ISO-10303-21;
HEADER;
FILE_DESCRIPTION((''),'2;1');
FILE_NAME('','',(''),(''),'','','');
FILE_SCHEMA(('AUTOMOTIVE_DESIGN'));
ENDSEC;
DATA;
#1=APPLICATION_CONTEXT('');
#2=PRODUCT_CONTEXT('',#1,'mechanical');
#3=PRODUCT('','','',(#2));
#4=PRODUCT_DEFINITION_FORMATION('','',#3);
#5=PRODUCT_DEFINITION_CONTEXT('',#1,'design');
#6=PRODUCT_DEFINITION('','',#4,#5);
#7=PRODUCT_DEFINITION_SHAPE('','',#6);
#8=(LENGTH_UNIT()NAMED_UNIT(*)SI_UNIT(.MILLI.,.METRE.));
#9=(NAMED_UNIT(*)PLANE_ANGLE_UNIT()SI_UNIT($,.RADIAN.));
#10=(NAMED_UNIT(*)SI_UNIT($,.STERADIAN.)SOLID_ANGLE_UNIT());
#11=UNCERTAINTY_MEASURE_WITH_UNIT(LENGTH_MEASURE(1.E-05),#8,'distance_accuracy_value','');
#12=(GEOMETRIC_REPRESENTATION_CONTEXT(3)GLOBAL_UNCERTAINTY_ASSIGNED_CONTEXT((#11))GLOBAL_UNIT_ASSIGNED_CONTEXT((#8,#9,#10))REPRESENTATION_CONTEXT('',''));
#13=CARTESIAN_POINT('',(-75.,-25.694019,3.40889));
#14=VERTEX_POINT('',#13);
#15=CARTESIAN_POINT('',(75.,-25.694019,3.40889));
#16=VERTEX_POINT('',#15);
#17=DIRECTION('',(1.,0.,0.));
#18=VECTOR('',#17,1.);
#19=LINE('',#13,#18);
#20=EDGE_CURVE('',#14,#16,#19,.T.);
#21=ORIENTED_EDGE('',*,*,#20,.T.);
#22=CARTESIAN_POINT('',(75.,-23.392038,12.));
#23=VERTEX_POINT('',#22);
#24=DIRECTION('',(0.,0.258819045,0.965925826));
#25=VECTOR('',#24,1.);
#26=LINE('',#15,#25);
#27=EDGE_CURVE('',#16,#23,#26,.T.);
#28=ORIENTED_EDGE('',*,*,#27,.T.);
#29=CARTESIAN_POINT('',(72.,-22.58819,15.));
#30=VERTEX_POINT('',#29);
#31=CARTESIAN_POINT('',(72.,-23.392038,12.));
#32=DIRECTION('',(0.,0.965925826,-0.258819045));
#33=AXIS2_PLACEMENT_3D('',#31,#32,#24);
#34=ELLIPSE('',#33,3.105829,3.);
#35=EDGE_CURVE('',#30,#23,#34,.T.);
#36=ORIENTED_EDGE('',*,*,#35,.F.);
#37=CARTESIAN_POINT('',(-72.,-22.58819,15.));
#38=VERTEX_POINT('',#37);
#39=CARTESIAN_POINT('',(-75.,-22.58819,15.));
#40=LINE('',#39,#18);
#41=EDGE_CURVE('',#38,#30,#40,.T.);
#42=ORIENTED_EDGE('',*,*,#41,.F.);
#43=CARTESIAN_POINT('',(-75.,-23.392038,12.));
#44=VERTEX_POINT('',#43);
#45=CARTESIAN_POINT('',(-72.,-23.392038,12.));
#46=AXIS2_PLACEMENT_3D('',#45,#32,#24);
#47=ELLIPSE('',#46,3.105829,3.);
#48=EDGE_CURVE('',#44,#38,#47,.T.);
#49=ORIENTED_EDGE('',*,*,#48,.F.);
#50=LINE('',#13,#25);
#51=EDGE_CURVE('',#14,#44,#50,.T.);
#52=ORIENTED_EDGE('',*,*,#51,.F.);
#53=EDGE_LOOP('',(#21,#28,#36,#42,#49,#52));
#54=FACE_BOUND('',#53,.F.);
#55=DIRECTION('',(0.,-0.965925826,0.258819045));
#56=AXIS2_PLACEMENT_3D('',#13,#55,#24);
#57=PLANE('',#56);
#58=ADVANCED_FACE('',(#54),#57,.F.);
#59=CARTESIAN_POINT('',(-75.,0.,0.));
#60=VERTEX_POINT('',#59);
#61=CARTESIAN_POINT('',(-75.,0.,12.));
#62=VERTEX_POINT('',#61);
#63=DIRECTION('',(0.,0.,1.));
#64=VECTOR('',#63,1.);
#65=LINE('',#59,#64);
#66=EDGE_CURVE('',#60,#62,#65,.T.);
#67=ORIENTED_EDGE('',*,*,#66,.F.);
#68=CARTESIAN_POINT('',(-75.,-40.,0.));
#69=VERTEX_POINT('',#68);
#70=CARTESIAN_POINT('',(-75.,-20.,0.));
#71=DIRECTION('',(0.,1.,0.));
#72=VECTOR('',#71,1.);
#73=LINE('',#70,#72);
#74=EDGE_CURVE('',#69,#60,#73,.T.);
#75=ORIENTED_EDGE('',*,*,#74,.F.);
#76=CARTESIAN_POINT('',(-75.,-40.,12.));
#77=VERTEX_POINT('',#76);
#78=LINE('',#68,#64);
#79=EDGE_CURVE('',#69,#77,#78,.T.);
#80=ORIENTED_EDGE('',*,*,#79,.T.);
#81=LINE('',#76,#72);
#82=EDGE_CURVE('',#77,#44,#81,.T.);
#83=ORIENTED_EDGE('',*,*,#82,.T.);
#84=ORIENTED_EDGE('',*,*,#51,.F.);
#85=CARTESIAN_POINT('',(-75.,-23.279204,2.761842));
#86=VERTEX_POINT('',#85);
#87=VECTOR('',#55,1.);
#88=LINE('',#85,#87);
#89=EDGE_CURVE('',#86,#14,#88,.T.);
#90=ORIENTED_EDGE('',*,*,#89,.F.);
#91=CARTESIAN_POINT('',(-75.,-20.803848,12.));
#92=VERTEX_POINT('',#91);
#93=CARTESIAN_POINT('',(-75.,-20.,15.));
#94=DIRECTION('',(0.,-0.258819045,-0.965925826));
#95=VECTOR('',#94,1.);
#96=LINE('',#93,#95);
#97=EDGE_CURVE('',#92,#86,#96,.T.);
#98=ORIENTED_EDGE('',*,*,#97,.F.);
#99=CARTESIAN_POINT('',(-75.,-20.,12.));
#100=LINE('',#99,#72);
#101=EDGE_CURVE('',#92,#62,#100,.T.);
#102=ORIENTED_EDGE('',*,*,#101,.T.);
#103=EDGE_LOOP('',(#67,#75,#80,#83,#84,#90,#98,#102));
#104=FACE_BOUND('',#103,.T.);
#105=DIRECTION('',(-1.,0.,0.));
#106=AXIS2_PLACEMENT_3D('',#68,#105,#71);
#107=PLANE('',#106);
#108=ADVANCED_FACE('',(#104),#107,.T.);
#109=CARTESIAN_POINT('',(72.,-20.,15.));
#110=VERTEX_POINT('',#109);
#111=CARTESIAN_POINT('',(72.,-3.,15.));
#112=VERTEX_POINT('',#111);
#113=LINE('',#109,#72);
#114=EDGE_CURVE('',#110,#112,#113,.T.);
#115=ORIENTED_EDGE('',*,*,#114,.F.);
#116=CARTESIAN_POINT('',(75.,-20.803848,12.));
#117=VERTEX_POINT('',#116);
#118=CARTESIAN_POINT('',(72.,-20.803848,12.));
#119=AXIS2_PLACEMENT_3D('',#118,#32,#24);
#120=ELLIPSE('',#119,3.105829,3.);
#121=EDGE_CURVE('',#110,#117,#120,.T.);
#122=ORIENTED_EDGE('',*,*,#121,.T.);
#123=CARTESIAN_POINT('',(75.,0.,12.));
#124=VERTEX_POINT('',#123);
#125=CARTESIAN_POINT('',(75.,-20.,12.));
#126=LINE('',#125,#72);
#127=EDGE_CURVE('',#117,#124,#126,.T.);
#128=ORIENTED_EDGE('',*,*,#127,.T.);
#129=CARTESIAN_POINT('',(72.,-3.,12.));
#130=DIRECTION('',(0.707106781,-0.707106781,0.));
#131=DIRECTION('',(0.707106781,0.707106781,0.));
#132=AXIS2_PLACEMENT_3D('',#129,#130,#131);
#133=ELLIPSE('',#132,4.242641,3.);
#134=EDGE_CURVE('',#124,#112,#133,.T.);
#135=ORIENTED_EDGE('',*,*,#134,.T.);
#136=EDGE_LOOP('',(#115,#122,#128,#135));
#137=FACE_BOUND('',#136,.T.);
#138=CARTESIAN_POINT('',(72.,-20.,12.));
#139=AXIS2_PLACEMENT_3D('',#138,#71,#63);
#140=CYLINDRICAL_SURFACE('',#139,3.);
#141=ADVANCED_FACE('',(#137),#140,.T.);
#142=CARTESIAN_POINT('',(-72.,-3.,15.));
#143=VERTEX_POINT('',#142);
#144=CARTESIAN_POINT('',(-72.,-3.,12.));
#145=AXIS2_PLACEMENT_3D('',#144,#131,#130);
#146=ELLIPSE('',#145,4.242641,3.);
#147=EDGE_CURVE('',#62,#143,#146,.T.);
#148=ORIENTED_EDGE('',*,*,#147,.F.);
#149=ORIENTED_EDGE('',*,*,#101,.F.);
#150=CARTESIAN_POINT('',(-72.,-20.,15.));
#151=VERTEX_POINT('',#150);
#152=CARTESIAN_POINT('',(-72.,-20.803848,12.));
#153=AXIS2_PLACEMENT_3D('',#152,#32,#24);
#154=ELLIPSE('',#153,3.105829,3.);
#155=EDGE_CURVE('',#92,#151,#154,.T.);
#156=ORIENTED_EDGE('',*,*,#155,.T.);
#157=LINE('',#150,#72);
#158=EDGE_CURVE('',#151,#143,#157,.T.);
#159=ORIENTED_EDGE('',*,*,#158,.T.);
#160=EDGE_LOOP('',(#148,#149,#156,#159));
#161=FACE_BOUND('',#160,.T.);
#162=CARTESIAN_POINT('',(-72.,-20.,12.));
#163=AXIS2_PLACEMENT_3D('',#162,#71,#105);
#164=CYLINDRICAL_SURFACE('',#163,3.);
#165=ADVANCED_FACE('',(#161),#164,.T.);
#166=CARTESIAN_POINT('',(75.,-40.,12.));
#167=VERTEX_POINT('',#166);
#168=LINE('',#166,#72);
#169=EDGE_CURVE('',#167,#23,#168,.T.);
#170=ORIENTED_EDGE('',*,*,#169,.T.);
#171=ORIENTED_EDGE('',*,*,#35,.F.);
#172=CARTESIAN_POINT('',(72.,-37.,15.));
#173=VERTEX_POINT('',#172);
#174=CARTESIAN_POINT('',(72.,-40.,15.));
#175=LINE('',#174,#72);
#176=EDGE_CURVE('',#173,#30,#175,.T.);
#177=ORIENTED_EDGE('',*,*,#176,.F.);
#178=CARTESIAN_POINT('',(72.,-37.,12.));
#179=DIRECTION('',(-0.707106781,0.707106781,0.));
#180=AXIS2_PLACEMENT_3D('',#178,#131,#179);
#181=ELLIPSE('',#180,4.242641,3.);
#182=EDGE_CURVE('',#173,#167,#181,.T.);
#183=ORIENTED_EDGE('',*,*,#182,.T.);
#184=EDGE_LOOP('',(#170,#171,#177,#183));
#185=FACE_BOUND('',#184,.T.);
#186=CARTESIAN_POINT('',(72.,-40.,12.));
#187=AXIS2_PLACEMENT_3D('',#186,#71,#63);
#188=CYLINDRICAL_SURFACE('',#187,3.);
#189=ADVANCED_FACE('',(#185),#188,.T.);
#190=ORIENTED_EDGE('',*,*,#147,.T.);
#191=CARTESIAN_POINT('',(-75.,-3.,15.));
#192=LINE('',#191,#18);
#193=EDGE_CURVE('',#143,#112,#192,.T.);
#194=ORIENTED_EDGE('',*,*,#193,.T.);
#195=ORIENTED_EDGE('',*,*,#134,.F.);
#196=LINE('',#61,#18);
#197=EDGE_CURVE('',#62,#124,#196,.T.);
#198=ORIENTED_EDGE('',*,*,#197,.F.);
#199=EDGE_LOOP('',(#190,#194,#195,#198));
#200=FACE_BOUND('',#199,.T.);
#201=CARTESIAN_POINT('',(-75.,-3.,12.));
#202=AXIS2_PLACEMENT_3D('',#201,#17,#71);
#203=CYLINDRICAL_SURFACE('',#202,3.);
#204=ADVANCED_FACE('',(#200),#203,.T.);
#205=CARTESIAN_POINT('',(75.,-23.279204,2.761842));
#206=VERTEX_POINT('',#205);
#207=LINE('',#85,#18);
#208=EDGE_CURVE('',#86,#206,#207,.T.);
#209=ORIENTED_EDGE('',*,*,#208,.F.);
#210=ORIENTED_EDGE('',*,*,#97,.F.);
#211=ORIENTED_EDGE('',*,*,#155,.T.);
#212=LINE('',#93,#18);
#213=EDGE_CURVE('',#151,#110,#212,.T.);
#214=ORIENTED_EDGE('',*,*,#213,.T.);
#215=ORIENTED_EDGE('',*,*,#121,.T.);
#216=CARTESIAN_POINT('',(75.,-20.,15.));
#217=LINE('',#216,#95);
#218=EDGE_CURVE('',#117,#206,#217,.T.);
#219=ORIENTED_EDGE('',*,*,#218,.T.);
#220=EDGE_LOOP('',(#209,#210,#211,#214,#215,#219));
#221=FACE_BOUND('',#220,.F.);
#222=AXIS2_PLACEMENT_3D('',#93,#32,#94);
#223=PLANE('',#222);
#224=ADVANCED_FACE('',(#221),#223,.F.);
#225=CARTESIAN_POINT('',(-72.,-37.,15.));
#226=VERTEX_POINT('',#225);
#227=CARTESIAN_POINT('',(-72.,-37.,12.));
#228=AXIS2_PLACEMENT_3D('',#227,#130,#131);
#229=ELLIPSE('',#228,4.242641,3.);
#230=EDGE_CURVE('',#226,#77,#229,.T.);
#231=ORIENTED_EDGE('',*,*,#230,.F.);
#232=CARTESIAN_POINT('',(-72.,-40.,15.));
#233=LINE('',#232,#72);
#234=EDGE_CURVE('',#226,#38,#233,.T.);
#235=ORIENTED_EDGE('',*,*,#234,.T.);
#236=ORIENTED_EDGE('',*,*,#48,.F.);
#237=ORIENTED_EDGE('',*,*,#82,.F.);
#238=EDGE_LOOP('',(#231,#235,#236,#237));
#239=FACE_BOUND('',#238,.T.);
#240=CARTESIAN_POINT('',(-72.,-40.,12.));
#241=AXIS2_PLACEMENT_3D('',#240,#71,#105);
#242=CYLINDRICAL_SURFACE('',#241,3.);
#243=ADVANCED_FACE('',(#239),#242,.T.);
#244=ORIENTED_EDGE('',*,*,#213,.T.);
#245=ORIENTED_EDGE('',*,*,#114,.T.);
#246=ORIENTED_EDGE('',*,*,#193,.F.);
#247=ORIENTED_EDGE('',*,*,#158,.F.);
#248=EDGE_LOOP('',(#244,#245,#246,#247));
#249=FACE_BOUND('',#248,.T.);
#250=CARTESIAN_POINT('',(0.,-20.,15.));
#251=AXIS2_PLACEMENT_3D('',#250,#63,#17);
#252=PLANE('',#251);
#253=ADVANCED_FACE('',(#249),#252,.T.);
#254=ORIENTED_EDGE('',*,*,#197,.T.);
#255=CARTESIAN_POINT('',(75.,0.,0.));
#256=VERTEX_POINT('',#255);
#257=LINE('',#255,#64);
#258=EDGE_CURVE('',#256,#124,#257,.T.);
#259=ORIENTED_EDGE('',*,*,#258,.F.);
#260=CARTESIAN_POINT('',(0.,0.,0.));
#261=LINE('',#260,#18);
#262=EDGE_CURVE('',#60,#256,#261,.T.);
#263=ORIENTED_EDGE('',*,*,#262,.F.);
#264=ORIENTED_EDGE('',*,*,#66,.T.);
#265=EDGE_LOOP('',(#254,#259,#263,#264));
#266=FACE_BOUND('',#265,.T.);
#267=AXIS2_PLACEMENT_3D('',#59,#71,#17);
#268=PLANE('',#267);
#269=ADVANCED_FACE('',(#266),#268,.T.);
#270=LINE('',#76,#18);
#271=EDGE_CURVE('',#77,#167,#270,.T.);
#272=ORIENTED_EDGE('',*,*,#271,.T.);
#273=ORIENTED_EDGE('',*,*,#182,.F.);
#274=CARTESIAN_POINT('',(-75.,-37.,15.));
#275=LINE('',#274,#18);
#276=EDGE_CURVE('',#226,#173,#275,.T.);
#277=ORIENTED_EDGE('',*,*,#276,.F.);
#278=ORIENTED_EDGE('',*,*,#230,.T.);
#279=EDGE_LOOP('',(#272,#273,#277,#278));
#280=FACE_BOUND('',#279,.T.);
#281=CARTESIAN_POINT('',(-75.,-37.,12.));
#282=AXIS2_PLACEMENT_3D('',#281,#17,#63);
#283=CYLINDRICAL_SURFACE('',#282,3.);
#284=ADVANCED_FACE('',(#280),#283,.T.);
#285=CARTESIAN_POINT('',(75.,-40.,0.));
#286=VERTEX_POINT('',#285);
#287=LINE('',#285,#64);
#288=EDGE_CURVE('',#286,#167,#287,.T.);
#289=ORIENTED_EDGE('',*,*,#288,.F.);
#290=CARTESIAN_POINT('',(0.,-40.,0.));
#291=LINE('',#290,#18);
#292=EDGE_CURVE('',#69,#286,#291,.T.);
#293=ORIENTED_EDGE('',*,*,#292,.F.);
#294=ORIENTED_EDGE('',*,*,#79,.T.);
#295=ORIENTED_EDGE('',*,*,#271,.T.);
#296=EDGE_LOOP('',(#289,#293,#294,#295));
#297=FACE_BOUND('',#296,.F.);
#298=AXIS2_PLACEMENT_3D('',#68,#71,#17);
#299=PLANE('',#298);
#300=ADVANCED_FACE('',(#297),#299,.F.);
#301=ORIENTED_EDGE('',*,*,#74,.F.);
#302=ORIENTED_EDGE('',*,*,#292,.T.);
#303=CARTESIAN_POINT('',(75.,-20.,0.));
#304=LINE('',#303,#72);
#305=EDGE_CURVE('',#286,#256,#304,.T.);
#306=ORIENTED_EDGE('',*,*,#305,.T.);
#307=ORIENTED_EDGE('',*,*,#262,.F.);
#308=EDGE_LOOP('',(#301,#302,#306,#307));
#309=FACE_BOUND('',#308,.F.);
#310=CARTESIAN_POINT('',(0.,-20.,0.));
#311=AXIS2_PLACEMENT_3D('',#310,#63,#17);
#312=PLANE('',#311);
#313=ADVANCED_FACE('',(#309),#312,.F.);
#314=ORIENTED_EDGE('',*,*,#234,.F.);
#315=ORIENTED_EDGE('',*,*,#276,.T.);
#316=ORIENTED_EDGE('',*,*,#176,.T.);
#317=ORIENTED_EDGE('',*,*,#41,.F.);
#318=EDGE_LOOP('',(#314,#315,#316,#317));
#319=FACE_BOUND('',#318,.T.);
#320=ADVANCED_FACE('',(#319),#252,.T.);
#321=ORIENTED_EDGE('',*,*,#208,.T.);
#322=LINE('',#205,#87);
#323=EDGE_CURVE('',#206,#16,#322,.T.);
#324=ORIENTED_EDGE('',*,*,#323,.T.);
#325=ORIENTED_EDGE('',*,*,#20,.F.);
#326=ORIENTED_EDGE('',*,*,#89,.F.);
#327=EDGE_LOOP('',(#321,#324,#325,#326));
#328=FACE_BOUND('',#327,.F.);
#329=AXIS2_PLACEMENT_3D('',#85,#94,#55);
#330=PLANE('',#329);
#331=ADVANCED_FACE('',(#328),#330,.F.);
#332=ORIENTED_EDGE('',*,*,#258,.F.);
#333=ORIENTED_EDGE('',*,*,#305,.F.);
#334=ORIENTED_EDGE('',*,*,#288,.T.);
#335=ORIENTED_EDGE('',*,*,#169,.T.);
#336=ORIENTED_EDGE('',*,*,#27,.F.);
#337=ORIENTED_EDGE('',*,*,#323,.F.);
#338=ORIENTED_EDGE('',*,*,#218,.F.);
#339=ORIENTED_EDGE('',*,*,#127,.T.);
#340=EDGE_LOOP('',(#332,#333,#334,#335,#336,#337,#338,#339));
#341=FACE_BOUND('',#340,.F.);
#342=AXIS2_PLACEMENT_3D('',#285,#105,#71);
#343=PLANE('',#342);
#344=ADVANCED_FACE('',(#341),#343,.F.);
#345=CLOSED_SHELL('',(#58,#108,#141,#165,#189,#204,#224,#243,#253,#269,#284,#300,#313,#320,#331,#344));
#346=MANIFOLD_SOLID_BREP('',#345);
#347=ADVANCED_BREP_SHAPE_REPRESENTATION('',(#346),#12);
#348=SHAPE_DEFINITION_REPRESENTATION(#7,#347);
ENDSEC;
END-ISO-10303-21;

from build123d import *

# Parameters (mm, degrees)
F0_W     = 150
F0_H     = 40
F1_DEPTH = 15
F3_DEPTH = 150
F4_R     = 3


with BuildPart() as f1:
    # F0 (on Top) → F1 (new body)
    with BuildSketch(Plane.XY):
        with Locations((0, -20)):
            Rectangle(F0_W, F0_H)
    extrude(amount=F1_DEPTH)

    # F2 (on face) → F3 (cut)
    with BuildSketch(Plane(origin=(-75, 0, 0), x_dir=(0, -1, 0), z_dir=(-1, 0, 0))):
        Polygon((22.588190451, 15), (20, 15), (23.2792044265, 2.7618424718), (25.6940189923, 3.4088900845), align=None)
    extrude(amount=-F3_DEPTH, mode=Mode.SUBTRACT)

    # F4
    f4_edges = [f1.edges().sort_by_distance(p)[0] for p in [
        (0, 0, 15),
        (-75, -10, 15),
        (75, -10, 15),
        (75, -31.294095, 15),
        (0, -40, 15),
        (-75, -31.294095, 15),
    ]]
    fillet(f4_edges, radius=F4_R)


solid = f1.part
